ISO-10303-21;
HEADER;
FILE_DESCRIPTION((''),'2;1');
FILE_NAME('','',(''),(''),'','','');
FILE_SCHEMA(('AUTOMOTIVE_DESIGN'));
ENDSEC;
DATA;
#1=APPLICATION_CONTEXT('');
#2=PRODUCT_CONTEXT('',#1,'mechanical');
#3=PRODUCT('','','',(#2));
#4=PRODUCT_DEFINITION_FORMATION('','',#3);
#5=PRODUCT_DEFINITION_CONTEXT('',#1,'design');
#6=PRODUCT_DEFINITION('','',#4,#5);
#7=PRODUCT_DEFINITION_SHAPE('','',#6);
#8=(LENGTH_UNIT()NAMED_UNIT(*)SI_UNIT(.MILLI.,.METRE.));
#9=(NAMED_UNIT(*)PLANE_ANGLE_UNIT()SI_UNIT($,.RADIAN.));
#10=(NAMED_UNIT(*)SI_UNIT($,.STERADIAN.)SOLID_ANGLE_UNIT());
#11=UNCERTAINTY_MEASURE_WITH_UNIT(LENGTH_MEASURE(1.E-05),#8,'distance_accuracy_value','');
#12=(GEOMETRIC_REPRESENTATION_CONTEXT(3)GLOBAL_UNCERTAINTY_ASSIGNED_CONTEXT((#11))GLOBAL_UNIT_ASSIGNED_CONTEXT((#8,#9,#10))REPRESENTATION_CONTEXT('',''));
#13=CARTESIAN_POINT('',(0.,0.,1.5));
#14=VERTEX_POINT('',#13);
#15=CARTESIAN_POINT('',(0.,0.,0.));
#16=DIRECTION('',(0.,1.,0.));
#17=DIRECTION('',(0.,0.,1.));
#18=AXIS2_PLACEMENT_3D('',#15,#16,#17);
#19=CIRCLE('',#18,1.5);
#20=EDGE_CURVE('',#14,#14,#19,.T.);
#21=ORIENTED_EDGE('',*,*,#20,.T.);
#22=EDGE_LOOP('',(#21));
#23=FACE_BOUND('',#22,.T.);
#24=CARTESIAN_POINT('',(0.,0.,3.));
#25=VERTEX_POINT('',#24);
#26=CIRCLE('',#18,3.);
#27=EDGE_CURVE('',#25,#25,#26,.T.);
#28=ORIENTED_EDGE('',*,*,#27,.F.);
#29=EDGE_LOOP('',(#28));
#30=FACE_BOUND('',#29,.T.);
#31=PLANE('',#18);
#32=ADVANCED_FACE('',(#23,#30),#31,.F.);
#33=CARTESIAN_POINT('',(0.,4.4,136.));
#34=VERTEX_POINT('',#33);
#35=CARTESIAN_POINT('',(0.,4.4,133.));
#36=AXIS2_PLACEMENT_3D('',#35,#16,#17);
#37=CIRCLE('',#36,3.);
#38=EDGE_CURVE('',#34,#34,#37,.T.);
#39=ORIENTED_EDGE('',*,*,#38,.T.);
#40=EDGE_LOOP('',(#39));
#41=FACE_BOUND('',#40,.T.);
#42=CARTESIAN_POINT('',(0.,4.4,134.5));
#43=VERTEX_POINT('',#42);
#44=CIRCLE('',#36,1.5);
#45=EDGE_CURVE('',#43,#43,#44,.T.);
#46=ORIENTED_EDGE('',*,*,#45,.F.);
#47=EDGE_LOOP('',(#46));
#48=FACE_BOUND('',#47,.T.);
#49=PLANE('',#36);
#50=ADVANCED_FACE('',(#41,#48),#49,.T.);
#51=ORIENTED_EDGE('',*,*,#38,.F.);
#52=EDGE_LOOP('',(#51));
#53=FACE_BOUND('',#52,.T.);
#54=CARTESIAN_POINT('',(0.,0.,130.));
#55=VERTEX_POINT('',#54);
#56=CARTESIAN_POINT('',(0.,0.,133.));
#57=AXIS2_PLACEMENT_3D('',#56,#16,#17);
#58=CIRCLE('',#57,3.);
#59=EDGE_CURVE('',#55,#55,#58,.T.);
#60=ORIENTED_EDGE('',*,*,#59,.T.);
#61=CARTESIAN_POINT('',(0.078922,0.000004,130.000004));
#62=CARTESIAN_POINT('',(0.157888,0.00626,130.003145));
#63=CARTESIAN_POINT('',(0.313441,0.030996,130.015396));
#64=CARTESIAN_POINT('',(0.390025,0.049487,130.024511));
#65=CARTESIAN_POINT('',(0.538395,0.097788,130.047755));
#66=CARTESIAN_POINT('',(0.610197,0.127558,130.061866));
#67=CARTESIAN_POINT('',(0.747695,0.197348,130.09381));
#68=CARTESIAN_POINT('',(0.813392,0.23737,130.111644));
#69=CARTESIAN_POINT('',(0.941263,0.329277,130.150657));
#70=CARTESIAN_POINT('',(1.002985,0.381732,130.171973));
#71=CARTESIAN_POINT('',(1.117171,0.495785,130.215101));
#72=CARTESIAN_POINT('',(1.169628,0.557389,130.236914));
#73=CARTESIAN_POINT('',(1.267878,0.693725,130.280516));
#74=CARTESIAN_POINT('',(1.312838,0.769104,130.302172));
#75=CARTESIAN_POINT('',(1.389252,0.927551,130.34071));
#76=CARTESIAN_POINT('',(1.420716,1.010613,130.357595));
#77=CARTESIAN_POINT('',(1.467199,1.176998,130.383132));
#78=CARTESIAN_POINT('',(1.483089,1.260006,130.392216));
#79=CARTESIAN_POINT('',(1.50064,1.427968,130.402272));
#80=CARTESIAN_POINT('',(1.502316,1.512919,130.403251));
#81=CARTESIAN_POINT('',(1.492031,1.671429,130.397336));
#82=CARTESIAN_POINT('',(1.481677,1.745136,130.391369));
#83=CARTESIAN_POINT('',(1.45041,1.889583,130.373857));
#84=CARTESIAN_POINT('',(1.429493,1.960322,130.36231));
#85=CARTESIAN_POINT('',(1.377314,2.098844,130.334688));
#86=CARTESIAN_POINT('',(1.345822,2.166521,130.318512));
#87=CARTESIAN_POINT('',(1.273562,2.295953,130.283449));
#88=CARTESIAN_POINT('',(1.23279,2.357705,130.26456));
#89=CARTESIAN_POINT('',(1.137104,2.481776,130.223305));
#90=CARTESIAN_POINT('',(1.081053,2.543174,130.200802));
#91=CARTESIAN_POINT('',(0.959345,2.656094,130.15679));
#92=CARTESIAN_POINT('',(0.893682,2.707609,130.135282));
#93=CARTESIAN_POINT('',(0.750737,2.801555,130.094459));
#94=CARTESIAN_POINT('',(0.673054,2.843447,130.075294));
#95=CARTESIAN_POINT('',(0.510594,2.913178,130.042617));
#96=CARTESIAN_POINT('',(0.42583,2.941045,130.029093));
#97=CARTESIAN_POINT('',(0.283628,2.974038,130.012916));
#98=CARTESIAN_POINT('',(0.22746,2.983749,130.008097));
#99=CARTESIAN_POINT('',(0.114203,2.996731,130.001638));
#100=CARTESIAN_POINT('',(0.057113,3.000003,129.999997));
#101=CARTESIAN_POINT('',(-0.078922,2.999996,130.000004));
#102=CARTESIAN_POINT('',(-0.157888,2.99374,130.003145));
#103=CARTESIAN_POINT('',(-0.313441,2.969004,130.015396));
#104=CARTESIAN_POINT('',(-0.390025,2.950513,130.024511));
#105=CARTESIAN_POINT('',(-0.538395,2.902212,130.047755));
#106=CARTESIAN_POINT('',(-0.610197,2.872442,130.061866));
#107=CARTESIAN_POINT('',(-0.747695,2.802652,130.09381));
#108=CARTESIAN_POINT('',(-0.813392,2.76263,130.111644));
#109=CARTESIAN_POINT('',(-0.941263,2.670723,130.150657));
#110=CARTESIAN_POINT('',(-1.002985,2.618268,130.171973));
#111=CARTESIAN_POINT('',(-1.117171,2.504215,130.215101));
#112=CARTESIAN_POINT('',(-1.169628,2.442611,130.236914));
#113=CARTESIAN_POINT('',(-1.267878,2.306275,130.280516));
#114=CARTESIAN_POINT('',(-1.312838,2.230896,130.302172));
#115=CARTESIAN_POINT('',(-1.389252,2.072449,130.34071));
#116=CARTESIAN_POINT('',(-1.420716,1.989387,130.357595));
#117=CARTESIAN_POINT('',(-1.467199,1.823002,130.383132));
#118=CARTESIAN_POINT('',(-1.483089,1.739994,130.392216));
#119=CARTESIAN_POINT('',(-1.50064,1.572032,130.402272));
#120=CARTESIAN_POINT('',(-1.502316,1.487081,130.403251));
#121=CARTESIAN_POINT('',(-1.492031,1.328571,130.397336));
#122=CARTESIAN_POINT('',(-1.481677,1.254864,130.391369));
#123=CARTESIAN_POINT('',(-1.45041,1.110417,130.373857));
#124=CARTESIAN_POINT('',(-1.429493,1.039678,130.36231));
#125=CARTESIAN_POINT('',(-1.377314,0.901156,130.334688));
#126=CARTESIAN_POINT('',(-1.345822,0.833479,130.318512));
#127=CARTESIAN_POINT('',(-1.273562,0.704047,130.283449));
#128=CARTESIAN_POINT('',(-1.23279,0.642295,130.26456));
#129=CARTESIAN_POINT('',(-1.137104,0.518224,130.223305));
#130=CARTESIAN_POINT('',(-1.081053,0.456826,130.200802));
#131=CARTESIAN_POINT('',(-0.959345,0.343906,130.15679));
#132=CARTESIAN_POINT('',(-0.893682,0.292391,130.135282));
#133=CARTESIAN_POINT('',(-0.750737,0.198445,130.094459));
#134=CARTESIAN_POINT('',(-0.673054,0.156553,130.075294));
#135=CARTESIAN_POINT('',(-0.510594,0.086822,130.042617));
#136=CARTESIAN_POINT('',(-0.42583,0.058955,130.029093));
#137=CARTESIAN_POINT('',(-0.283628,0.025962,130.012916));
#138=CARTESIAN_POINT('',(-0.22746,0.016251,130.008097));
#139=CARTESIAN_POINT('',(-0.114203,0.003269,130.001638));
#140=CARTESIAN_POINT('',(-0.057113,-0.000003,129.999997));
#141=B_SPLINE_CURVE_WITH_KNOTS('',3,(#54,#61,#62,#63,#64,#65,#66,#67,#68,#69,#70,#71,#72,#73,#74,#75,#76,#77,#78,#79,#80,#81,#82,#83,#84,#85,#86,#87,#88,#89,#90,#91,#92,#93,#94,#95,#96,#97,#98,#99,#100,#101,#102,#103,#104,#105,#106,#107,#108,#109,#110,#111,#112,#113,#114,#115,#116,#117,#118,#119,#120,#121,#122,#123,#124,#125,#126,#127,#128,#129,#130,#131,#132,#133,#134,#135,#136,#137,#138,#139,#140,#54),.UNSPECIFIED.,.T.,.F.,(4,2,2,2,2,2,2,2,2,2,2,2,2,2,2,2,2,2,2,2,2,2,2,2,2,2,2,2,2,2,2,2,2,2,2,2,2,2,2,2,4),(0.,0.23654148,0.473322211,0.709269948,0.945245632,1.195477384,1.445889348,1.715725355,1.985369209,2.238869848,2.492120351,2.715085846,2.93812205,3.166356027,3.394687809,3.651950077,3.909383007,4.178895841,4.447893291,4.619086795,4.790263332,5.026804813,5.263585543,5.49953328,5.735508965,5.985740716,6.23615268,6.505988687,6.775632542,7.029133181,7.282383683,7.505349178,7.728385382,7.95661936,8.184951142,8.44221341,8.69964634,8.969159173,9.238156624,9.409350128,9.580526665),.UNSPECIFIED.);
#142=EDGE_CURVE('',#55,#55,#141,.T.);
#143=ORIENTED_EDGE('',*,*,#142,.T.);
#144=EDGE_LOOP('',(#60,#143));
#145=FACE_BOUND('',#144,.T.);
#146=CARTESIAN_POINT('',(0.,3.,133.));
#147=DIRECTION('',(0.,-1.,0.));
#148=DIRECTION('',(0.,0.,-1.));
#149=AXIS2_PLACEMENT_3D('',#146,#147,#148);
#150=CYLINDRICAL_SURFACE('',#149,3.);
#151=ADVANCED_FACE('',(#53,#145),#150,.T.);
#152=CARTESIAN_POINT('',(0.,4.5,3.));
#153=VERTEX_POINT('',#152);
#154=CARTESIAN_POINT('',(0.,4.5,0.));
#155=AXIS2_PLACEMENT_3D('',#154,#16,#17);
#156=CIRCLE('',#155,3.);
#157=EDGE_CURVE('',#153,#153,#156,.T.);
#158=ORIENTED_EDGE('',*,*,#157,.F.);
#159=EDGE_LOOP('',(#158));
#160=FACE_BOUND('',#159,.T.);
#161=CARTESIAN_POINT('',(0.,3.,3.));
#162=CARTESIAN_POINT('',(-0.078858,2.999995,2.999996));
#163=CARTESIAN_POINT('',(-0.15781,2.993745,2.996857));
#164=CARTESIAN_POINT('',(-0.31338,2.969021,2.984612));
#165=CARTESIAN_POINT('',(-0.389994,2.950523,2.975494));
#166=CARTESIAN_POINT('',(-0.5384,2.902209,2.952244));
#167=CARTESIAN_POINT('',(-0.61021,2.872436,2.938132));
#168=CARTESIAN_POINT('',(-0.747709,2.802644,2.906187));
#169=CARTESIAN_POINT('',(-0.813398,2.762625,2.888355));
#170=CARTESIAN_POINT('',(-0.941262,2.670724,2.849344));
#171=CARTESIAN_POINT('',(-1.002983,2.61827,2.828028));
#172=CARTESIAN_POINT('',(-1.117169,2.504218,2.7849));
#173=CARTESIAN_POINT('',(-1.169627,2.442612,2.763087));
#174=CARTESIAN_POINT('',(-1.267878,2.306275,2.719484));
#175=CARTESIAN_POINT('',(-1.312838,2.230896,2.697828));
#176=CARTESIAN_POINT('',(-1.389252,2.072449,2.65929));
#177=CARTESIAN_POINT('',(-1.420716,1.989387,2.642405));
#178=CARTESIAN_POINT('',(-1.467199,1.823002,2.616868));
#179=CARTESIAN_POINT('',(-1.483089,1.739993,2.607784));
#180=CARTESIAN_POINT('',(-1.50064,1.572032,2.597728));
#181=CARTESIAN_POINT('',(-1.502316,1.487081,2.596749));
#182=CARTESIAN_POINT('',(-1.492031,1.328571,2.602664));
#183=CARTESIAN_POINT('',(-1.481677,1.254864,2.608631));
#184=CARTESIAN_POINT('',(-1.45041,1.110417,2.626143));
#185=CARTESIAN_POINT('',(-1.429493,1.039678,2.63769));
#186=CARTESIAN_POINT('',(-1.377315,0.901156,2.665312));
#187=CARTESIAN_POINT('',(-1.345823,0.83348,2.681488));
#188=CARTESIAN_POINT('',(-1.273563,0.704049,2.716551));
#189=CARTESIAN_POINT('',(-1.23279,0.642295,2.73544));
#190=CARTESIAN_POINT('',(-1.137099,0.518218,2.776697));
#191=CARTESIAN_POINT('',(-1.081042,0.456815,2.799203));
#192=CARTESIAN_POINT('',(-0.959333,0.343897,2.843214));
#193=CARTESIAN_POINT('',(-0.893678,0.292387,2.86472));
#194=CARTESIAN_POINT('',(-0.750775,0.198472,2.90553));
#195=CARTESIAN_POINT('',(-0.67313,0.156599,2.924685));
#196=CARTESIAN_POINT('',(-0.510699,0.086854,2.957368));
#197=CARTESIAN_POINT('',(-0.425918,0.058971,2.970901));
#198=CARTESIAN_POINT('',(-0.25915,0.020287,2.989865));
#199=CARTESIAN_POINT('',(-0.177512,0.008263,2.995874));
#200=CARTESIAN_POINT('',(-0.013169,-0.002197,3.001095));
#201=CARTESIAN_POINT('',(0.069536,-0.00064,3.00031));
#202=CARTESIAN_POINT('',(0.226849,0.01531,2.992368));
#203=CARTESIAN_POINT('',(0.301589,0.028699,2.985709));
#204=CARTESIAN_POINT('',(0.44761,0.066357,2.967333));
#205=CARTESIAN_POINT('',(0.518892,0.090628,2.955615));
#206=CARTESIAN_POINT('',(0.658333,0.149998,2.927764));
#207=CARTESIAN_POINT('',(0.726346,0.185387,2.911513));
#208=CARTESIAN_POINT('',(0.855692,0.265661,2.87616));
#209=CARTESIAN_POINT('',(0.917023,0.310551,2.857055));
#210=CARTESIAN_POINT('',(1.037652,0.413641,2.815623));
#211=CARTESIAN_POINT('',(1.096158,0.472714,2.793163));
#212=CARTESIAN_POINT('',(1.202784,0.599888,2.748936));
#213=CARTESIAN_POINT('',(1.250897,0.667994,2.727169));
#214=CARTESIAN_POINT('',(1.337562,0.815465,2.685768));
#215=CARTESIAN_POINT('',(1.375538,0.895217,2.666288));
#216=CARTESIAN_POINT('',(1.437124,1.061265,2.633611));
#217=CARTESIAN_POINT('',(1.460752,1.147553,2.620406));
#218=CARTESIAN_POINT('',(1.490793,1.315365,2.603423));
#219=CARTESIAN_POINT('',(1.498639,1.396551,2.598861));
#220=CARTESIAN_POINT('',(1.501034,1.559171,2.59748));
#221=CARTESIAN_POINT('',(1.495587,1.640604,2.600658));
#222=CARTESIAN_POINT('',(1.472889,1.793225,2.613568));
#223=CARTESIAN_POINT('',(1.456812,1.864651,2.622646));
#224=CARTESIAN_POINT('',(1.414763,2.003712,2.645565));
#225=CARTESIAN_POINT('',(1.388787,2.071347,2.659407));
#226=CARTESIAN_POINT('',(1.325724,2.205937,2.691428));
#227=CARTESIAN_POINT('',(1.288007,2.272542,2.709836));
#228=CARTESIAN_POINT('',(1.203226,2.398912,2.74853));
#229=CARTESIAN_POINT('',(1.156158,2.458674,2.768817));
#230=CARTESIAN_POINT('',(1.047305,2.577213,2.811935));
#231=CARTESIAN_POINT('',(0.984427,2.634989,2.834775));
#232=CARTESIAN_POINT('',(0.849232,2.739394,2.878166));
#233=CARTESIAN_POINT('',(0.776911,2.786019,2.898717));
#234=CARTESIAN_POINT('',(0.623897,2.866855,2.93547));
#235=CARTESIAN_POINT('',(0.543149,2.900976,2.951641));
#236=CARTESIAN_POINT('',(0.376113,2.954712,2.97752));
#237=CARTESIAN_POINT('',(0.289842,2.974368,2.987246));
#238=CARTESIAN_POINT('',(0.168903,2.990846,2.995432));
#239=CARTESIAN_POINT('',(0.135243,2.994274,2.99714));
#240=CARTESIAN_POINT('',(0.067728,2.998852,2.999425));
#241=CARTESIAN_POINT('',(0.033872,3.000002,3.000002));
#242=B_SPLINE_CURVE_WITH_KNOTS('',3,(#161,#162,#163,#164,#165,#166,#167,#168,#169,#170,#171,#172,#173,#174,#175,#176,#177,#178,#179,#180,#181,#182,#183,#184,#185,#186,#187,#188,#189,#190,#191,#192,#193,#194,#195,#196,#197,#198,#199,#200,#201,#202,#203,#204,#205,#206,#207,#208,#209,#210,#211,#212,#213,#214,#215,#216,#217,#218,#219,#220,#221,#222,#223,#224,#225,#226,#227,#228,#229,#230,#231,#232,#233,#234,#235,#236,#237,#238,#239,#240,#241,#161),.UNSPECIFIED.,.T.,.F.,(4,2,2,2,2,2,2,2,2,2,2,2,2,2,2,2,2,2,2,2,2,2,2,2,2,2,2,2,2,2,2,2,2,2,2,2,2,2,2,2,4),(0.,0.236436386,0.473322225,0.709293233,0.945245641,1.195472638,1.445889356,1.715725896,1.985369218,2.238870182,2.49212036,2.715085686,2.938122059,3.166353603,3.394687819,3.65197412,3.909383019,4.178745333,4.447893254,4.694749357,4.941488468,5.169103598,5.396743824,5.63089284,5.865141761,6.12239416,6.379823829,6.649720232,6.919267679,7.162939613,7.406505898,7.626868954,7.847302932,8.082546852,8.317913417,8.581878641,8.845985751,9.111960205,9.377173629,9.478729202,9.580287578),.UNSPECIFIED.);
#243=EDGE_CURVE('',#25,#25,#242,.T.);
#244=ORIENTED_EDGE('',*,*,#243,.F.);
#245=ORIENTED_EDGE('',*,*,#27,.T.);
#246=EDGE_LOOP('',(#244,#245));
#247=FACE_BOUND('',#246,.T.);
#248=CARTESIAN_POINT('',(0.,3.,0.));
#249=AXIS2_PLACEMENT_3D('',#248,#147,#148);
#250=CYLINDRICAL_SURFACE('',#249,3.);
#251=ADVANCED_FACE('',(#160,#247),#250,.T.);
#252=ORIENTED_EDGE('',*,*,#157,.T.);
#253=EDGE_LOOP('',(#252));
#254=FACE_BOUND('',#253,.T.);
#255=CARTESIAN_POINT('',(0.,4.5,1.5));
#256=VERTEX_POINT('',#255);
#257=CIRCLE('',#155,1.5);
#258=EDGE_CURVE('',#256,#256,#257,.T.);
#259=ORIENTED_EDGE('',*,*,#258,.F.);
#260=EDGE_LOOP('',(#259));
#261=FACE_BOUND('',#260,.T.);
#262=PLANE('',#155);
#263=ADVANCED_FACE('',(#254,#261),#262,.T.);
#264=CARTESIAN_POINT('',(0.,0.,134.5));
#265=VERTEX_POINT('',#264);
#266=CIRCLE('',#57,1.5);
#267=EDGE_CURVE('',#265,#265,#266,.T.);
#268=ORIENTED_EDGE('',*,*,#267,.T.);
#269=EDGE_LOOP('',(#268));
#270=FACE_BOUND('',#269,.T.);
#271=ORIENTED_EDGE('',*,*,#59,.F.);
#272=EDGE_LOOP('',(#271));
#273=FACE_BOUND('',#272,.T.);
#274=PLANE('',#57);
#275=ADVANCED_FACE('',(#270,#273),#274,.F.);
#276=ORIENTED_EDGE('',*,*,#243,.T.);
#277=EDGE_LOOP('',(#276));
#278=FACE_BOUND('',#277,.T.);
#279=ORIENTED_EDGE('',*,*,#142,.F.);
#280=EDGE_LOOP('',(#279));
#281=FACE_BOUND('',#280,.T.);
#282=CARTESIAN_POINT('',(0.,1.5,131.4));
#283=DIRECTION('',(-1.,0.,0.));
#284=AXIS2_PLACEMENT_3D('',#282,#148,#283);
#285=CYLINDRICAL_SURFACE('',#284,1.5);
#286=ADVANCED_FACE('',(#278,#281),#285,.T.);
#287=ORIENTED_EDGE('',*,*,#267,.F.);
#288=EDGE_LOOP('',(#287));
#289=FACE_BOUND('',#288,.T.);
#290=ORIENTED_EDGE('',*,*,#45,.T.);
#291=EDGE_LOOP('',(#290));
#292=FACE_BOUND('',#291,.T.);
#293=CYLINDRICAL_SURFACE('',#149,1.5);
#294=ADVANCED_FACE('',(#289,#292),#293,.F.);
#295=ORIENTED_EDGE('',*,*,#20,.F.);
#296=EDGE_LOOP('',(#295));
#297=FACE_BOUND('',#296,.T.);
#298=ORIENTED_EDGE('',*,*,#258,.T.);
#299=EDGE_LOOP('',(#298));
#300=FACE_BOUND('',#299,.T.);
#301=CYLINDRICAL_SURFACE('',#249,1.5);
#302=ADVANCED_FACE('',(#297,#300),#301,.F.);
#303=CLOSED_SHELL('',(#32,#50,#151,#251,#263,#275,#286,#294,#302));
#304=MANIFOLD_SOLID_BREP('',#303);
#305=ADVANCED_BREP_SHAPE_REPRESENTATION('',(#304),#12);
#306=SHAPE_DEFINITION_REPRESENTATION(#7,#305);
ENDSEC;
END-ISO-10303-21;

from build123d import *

# Parameters (mm, degrees)
SKETCH_1_R        = 3
SKETCH_1_R_2      = 1.5
EXTRUDE_1_DEPTH   = 3
EXTRUDE_1_2_DEPTH = 3
SKETCH_2_R        = 1.5
EXTRUDE_2_DEPTH   = 129.8
SKETCH_3_R        = 3
SKETCH_3_R_2      = 1.5
EXTRUDE_3_DEPTH   = 1.5
SKETCH_4_R        = 3
SKETCH_4_R_2      = 1.5
EXTRUDE_4_DEPTH   = 1.4


with BuildPart() as part:
    # 草图1 → 凸台-拉伸1 (new body)
    with BuildSketch(Plane(origin=(0, 0, 0), x_dir=(1, 0, 0), z_dir=(0, 1, 0))):
        Circle(SKETCH_1_R)
        Circle(SKETCH_1_R_2, mode=Mode.SUBTRACT)
    extrude(amount=EXTRUDE_1_DEPTH)



with BuildPart() as body_2:
    # 草图1 → Extrude 1 2 (new body)
    with BuildSketch(Plane(origin=(0, 0, 0), x_dir=(1, 0, 0), z_dir=(0, 1, 0))):
        with Locations((0, -133)):
            Circle(SKETCH_1_R)
        with Locations((0, -133)):
            Circle(SKETCH_1_R_2, mode=Mode.SUBTRACT)
    extrude(amount=EXTRUDE_1_2_DEPTH)


with BuildPart() as part_1:
    add(part.part)

    add(body_2.part)  # 凸台-拉伸2 merges body 2
    # 草图2 → 凸台-拉伸2 (add)
    with BuildSketch(Plane.XY.offset(1.6)):
        with Locations((0, 1.5)):
            Circle(SKETCH_2_R)
    extrude(amount=EXTRUDE_2_DEPTH)

    # 草图3 → 凸台-拉伸3 (add)
    with BuildSketch(Plane(origin=(0, 3, 0), x_dir=(1, 0, 0), z_dir=(0, 1, 0))):
        Circle(SKETCH_3_R)
        Circle(SKETCH_3_R_2, mode=Mode.SUBTRACT)
    extrude(amount=EXTRUDE_3_DEPTH)

    # 草图4 → 凸台-拉伸4 (add)
    with BuildSketch(Plane(origin=(0, 3, 0), x_dir=(1, 0, 0), z_dir=(0, 1, 0))):
        with Locations((0, -133)):
            Circle(SKETCH_4_R)
        with Locations((0, -133)):
            Circle(SKETCH_4_R_2, mode=Mode.SUBTRACT)
    extrude(amount=EXTRUDE_4_DEPTH)


solid = part_1.part
